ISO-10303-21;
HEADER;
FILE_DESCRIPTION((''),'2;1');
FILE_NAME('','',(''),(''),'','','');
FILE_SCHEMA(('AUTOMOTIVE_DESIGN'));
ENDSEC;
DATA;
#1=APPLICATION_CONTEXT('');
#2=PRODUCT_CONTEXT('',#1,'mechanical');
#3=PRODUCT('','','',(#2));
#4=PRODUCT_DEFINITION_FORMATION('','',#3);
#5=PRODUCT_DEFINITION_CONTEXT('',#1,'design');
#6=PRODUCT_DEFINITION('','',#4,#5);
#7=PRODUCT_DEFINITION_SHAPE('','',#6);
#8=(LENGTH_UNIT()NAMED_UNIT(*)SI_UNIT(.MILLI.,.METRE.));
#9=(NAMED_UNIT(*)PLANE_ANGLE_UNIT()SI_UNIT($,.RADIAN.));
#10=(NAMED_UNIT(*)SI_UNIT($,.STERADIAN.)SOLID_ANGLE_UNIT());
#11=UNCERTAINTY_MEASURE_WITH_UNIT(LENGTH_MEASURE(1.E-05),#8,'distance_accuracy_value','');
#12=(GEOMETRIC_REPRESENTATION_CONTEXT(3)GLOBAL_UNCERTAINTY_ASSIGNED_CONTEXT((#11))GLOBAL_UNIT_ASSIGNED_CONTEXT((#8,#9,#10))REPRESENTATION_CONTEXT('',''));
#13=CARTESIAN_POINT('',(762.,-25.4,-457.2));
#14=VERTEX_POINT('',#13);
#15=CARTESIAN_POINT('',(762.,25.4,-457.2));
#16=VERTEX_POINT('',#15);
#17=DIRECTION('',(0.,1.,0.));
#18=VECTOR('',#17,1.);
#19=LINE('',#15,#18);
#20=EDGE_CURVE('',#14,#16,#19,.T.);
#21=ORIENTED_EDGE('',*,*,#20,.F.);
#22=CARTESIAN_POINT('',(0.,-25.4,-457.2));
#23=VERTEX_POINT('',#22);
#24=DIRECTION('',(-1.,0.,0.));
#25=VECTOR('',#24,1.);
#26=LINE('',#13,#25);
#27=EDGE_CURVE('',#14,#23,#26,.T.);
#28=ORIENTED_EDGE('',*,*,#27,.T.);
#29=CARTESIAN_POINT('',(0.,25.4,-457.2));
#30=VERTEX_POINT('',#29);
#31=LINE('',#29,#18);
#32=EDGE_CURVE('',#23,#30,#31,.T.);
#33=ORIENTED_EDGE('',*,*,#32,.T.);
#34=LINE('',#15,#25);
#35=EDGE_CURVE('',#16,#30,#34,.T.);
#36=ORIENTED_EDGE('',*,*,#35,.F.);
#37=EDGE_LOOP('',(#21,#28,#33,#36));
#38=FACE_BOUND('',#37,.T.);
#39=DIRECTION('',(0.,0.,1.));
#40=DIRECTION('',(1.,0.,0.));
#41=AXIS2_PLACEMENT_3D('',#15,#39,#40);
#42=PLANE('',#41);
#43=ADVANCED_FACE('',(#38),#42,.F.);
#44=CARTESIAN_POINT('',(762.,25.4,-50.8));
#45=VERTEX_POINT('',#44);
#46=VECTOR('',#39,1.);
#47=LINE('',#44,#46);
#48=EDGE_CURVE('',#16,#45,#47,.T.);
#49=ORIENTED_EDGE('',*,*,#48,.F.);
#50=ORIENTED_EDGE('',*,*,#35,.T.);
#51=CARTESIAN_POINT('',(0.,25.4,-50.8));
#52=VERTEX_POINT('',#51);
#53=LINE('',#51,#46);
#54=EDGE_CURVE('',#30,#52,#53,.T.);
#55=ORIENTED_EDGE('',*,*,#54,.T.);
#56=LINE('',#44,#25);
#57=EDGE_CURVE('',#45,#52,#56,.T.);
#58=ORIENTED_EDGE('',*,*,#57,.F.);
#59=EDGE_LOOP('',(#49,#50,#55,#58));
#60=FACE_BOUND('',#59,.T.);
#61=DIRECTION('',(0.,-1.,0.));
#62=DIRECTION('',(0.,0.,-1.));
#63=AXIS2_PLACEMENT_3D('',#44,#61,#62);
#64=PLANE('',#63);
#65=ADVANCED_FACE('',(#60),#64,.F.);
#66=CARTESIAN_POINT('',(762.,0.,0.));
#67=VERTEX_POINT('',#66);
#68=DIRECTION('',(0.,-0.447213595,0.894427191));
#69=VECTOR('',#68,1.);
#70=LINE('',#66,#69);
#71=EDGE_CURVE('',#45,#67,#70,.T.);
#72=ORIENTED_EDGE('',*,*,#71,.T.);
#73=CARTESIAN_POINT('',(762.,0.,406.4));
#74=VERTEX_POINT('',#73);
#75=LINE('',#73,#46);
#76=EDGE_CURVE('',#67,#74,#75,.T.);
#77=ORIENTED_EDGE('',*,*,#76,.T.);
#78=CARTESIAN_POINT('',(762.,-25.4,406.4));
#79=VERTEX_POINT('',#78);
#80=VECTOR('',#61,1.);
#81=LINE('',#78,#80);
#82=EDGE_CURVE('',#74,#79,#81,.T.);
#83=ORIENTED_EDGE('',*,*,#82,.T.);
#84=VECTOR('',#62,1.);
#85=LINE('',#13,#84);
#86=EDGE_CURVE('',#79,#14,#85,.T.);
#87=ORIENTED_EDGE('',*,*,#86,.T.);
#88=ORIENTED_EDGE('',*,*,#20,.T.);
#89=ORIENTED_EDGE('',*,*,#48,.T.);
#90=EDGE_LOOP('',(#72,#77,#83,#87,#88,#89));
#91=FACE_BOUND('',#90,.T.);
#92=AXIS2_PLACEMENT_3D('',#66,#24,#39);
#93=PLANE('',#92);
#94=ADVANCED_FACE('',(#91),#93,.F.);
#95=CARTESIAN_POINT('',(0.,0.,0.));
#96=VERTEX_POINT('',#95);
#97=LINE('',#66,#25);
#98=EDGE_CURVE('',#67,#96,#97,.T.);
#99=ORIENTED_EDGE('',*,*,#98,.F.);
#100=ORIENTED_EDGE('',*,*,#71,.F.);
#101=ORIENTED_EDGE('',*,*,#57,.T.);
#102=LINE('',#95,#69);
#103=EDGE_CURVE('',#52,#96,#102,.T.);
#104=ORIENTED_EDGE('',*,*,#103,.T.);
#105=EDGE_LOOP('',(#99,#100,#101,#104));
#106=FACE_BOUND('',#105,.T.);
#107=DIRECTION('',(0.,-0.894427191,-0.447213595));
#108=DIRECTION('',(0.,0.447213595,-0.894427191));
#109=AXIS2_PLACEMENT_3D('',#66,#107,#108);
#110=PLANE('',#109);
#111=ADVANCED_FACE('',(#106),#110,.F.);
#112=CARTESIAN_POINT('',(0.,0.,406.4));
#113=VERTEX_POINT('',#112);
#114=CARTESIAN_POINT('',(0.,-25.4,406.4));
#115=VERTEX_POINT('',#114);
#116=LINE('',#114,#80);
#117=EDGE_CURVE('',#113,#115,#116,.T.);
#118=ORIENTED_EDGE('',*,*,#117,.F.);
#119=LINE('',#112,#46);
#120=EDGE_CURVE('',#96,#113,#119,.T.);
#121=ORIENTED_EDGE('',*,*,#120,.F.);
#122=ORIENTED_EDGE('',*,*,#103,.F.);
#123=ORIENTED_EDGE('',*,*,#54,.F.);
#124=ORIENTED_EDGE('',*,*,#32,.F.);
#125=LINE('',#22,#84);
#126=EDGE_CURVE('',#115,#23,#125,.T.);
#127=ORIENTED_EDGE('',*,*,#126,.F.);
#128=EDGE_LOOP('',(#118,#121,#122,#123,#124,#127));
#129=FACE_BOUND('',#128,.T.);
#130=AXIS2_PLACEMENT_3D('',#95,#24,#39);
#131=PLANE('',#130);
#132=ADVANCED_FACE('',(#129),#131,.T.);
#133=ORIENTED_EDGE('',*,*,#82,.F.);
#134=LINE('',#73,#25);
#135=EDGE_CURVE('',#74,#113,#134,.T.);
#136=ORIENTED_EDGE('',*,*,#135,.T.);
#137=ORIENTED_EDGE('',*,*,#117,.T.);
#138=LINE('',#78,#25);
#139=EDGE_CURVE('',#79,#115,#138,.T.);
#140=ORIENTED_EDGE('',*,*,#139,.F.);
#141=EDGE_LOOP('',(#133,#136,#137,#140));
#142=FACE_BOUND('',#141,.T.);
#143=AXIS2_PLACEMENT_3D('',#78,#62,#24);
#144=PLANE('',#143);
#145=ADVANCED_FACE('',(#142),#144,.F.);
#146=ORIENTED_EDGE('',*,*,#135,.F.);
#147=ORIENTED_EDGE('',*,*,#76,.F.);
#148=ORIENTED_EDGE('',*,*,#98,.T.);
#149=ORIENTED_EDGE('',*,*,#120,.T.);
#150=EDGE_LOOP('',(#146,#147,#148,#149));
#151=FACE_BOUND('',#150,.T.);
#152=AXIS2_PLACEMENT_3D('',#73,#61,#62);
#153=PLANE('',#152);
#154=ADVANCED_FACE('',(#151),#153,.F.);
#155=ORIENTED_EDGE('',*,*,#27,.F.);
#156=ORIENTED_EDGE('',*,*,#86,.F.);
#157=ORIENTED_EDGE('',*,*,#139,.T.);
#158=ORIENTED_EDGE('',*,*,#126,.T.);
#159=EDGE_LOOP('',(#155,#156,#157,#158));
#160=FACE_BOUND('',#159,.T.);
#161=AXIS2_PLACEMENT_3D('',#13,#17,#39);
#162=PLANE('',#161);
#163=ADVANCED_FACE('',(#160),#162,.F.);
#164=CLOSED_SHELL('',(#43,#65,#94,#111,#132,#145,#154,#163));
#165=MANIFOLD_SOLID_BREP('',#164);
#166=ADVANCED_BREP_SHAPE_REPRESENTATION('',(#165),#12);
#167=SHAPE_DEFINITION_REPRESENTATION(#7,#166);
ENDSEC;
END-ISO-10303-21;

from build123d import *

# Parameters (mm, degrees)
BOSS_EXTRUDE1_DEPTH = 762


with BuildPart() as part:
    # Sketch1 → Boss-Extrude1 (new body)
    with BuildSketch(Plane(origin=(0, 0, 0), x_dir=(0, 0, -1), z_dir=(1, 0, 0))):
        Polygon((-406.4, 0), (0, 0), (50.8, 25.4), (457.2, 25.4), (457.2, -25.4), (-406.4, -25.4), align=None)
    extrude(amount=BOSS_EXTRUDE1_DEPTH)


solid = part.part
